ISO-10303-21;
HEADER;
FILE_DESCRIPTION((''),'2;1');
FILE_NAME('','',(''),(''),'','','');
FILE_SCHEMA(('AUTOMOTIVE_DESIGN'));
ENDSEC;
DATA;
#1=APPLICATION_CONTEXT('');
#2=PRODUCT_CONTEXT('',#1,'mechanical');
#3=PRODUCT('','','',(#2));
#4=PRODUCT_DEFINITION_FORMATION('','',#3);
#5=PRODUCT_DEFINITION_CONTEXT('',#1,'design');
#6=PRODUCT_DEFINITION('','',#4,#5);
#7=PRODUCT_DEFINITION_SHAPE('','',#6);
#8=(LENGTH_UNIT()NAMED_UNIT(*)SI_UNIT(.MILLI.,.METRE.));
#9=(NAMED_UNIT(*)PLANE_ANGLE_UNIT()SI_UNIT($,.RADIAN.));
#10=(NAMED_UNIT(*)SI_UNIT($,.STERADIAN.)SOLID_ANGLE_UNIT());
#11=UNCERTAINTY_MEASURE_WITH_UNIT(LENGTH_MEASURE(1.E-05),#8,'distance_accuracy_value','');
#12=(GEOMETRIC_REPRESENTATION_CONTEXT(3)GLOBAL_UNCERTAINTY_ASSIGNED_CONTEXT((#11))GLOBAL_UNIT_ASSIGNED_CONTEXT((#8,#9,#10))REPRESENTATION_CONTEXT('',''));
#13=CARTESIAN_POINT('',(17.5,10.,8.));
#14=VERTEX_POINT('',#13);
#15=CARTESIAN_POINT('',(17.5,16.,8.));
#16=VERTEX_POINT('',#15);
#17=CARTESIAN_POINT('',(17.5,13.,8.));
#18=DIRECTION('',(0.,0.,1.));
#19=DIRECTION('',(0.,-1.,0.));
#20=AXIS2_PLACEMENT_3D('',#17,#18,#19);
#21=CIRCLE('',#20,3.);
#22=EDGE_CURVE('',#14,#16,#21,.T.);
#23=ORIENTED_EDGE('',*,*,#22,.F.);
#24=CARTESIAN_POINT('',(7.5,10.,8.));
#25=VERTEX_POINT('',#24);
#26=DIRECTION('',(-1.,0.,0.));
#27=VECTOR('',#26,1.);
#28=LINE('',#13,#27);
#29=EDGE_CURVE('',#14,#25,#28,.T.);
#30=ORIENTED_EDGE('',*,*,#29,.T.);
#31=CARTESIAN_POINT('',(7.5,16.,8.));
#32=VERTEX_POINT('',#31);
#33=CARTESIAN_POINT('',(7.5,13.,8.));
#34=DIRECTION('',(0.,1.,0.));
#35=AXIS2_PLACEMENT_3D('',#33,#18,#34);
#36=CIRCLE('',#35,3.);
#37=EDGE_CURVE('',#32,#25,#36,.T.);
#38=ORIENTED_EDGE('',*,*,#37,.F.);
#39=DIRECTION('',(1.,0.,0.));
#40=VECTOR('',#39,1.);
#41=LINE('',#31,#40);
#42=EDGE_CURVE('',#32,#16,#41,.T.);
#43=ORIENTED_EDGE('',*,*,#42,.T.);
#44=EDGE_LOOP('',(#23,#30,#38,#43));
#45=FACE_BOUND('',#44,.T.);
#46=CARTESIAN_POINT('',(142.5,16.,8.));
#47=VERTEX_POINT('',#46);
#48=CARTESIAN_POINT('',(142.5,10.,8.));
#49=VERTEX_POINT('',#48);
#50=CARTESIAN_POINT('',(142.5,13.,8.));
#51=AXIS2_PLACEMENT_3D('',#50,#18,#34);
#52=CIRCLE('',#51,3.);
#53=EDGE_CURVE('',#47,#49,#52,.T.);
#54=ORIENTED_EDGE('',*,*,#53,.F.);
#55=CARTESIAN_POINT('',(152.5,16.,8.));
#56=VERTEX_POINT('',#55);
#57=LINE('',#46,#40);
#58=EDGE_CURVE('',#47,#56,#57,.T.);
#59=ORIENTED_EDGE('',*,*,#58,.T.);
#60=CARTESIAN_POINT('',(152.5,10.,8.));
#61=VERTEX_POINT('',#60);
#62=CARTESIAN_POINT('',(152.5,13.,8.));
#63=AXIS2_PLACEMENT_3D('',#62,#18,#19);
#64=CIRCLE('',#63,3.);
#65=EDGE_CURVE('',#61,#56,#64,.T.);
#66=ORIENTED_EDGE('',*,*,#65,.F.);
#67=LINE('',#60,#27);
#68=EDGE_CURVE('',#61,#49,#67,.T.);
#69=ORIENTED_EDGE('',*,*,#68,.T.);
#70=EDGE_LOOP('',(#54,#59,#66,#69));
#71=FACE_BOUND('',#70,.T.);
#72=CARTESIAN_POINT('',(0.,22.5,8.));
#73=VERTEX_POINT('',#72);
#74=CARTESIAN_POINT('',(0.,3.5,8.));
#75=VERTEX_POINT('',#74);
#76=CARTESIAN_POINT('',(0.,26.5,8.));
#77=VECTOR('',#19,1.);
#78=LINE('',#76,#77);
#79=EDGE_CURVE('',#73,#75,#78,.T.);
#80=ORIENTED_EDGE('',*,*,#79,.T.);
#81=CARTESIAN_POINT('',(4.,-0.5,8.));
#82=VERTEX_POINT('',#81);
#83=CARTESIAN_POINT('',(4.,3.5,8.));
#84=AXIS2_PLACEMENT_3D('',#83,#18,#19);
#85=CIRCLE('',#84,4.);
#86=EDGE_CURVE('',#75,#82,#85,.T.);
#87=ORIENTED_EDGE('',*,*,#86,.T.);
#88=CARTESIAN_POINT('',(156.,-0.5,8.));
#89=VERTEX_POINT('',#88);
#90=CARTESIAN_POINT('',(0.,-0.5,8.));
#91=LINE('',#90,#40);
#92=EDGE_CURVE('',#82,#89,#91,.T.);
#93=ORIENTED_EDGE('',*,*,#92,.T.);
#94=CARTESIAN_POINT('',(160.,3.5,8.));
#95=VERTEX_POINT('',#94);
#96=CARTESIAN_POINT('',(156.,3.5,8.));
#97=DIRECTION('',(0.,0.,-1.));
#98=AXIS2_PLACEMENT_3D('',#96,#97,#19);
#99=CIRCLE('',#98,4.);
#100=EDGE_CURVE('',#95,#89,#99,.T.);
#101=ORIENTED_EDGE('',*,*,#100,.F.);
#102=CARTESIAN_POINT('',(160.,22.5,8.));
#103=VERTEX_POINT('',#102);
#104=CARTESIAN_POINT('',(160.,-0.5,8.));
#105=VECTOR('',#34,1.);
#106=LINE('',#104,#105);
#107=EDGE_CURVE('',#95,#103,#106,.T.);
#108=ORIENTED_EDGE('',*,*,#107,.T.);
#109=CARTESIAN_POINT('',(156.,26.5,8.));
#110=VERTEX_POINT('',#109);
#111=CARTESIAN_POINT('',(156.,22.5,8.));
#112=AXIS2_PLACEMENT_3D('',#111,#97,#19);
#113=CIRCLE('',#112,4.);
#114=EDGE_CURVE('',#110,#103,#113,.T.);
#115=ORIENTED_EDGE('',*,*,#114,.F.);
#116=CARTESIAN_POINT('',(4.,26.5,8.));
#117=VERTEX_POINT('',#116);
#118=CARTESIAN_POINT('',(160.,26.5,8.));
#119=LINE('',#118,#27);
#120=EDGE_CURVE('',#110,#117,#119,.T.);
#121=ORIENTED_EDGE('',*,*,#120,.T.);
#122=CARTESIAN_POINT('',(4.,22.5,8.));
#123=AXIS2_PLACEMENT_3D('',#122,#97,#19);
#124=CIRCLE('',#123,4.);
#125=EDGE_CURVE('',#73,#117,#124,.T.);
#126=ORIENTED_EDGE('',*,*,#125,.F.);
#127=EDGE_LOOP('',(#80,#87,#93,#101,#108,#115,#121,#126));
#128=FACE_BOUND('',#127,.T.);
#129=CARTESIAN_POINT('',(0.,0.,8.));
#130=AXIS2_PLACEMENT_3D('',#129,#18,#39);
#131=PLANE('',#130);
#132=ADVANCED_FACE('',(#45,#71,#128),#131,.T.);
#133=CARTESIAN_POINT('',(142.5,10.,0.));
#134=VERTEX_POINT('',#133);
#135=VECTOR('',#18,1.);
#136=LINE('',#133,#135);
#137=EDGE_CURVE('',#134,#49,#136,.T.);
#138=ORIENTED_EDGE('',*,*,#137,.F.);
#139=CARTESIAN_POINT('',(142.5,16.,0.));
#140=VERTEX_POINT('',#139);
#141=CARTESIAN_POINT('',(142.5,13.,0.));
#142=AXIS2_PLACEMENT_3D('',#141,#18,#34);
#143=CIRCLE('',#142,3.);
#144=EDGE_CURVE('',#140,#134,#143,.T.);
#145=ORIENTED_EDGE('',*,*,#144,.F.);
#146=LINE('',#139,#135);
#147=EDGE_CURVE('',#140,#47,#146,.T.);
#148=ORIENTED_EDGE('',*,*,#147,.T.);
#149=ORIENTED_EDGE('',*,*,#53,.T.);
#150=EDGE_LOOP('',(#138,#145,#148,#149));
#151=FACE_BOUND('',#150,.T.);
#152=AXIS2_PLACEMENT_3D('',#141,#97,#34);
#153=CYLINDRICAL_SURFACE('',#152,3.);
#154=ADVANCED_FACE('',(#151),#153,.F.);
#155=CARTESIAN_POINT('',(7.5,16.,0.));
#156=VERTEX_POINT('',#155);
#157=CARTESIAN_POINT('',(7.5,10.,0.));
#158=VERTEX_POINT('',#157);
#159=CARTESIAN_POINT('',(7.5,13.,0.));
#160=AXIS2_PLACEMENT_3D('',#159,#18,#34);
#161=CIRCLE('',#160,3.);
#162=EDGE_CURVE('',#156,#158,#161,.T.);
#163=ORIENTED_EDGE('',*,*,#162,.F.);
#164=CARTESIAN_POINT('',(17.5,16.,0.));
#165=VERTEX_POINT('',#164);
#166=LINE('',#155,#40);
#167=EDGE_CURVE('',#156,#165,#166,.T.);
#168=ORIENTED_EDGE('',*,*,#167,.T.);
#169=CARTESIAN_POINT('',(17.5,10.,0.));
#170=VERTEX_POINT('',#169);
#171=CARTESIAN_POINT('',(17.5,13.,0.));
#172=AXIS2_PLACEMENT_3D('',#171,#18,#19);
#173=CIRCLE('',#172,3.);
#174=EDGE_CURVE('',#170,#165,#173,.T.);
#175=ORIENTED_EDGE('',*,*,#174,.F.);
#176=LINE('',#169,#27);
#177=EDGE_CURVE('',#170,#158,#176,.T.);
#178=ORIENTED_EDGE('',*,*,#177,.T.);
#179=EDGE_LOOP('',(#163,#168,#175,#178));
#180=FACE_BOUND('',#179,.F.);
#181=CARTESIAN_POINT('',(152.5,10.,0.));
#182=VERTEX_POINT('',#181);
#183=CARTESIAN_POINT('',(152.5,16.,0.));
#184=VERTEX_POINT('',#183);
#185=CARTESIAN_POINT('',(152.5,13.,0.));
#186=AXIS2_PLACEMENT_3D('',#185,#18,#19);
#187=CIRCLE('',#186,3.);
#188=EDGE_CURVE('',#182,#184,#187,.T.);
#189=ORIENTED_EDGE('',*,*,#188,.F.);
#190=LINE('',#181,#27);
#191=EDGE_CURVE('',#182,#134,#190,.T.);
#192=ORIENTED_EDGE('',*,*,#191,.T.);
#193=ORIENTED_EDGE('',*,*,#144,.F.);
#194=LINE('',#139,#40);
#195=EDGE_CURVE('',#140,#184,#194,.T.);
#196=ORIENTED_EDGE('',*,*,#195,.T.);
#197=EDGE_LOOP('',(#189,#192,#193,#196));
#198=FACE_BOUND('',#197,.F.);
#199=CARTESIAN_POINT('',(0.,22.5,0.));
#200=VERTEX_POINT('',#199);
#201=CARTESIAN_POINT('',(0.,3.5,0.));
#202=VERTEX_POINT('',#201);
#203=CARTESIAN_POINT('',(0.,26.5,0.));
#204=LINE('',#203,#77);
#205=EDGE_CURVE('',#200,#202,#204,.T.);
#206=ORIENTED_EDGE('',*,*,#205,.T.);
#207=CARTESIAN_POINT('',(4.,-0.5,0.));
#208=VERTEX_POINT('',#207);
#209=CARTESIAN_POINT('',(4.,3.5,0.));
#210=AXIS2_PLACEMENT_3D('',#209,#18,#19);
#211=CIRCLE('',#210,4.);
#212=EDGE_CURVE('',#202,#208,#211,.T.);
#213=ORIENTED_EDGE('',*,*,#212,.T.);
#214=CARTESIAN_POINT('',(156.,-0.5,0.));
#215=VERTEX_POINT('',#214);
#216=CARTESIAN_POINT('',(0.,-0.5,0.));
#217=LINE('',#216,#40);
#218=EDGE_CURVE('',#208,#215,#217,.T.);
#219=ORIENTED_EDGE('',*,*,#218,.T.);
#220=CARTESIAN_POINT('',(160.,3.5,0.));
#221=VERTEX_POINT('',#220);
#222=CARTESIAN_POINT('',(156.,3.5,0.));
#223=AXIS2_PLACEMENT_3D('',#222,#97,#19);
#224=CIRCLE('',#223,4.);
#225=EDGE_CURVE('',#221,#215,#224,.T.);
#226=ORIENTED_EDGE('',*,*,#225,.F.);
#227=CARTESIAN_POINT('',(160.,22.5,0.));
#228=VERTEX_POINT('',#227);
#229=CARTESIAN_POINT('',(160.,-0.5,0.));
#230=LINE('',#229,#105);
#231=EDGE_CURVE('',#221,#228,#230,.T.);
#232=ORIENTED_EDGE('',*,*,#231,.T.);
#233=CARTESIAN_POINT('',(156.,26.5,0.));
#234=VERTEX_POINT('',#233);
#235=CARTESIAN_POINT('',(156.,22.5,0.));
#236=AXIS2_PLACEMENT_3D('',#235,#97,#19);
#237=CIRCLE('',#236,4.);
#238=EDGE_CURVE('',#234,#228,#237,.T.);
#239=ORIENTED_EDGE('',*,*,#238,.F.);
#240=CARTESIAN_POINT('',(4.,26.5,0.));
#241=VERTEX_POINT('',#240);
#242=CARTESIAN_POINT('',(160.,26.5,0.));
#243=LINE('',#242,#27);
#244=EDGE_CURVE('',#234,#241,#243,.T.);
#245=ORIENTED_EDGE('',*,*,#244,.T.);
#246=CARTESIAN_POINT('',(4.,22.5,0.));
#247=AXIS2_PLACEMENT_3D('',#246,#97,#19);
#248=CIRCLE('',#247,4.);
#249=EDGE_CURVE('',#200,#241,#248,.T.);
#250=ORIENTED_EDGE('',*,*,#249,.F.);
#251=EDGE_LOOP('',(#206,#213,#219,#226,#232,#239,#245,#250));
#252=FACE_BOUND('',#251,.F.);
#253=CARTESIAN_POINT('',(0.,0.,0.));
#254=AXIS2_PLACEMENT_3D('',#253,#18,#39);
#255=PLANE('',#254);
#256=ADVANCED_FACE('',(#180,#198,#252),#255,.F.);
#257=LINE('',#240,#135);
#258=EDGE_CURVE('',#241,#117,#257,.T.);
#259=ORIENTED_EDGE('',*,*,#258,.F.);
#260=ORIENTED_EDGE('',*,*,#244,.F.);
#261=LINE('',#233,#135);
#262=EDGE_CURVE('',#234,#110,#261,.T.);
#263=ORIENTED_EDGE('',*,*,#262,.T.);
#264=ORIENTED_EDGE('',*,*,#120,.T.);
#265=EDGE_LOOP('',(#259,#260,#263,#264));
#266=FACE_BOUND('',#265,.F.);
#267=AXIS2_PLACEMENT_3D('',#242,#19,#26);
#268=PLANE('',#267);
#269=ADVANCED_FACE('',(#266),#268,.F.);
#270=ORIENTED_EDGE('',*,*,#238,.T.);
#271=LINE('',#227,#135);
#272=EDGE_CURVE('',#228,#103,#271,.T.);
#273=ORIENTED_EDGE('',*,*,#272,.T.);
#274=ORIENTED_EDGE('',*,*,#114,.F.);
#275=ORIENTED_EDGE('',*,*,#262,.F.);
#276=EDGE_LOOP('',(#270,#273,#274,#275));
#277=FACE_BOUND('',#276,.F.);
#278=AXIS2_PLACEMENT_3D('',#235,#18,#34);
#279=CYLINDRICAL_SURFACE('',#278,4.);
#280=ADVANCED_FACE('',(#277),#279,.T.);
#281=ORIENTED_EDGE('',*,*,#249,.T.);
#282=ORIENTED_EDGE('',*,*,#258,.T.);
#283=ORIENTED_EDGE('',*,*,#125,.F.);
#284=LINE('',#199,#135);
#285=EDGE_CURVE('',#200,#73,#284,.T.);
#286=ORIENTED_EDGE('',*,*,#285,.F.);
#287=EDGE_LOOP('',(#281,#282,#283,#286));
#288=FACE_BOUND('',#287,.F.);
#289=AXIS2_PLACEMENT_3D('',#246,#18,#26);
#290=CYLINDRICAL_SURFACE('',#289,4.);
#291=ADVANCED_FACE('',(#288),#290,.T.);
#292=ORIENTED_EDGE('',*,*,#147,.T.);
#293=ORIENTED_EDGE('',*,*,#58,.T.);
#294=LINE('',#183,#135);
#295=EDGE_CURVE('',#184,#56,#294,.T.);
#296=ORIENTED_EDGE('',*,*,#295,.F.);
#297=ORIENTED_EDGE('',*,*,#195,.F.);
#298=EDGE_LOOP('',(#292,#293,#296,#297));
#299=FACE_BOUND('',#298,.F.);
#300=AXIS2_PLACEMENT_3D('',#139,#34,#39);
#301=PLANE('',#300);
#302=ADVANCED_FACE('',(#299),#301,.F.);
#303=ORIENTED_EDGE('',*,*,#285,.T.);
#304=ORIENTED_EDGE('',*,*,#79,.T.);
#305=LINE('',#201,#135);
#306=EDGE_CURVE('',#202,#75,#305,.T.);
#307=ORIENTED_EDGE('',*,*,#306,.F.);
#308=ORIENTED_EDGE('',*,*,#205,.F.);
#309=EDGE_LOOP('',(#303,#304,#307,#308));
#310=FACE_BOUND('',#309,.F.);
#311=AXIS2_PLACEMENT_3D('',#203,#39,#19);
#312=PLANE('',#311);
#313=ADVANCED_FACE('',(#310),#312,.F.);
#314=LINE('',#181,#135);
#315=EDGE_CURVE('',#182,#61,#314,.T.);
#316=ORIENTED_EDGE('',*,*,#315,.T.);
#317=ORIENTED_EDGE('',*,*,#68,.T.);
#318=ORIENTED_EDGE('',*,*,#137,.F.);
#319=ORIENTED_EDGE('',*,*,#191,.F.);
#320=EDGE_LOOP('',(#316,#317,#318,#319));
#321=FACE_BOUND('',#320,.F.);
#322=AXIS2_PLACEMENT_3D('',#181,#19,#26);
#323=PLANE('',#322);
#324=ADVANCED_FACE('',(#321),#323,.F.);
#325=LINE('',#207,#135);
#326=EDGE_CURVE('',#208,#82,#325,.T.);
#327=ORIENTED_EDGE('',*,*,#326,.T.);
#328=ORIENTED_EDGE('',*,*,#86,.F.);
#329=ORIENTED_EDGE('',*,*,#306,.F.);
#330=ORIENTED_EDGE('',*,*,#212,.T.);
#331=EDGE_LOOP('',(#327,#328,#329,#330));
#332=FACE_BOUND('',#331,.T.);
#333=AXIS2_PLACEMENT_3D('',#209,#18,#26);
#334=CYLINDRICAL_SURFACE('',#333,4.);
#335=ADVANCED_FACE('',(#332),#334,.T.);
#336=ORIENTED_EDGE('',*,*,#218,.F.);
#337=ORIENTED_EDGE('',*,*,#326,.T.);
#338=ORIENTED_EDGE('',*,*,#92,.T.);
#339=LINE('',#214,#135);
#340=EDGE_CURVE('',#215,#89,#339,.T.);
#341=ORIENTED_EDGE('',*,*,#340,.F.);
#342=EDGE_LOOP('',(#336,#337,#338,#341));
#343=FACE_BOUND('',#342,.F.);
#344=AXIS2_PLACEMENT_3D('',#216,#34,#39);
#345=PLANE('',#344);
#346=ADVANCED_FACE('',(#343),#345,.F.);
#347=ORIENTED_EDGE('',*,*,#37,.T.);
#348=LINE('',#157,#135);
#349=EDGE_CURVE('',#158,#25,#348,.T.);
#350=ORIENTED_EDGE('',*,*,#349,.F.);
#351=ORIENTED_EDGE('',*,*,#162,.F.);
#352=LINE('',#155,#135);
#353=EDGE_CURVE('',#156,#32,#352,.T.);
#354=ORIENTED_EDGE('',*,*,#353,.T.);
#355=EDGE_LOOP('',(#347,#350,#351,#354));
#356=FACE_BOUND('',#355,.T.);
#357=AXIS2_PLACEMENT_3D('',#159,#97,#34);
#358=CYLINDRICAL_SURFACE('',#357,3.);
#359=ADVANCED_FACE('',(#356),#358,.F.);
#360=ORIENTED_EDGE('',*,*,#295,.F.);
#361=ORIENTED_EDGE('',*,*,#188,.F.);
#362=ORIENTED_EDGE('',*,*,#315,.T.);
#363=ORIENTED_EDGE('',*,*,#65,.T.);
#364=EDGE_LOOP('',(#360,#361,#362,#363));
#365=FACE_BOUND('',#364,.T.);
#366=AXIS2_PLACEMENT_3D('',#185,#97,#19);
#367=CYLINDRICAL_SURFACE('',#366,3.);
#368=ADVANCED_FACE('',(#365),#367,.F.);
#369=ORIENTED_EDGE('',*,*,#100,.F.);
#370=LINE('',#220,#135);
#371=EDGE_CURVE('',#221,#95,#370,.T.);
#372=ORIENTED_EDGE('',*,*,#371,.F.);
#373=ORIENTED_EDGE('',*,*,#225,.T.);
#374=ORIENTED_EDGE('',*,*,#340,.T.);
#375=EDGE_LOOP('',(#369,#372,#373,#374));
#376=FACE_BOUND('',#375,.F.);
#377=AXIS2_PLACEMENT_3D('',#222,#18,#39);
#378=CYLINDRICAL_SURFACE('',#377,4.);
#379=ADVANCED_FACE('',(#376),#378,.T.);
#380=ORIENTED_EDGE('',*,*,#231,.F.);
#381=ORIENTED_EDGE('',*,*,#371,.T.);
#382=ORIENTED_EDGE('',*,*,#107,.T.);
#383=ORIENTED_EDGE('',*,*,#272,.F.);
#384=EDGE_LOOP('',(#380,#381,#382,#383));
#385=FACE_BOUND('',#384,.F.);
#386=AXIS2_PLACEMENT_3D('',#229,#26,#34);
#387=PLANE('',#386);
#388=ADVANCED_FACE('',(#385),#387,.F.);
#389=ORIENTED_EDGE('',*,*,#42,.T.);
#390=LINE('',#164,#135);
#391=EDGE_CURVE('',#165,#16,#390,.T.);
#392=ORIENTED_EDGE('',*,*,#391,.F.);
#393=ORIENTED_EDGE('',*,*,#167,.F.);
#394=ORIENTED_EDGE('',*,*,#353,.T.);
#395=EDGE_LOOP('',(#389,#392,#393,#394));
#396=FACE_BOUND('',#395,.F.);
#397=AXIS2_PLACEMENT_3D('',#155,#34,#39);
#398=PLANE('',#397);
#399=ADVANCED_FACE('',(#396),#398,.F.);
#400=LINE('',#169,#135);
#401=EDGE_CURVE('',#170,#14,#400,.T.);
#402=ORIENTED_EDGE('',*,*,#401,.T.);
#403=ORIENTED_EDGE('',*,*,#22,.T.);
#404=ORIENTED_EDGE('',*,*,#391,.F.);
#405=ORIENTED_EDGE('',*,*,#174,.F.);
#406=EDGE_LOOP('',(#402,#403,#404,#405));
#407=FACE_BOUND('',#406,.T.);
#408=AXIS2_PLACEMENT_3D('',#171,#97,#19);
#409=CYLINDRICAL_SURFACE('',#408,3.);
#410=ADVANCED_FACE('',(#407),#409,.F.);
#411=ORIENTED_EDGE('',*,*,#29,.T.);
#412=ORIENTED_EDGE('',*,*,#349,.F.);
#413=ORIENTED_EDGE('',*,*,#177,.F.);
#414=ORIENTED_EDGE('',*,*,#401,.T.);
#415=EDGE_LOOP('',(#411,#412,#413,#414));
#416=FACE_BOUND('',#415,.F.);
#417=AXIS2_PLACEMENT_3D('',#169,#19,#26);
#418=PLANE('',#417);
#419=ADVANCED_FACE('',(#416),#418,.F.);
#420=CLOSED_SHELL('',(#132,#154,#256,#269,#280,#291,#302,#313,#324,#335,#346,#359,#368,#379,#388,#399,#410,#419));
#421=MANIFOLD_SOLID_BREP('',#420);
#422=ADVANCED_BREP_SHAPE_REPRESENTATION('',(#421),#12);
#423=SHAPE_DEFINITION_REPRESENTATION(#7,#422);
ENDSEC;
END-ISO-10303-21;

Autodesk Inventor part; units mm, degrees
ref_plane "YZ Plane" through (0, 0, 0) normal (1, 0, 0) x (0, 1, 0)
ref_plane "XZ Plane" through (0, 0, 0) normal (0, 1, 0) x (-1, 0, 0)
ref_plane "XY Plane" through (0, 0, 0) normal (0, 0, 1) x (1, 0, 0)
sketch "Sketch1" plane through (0, 0, 0) normal (0, 0, 1) x (1, 0, 0)
  line L0 (0, -0.5) -> (160, -0.5)
  line L1 (160, -0.5) -> (160, 26.5)
  line L2 (160, 26.5) -> (0, 26.5)
  line L3 (0, 26.5) -> (0, -0.5)
  line L4 (152.5, 10) -> (142.5, 10)
  arc A0 (142.5, 16) -> (142.5, 10) centre (142.5, 13) ccw
  line L5 (142.5, 16) -> (152.5, 16)
  arc A1 (152.5, 10) -> (152.5, 16) centre (152.5, 13) ccw
  line L6 (7.5, 16) -> (17.5, 16)
  arc A2 (17.5, 10) -> (17.5, 16) centre (17.5, 13) ccw
  line L7 (17.5, 10) -> (7.5, 10)
  arc A3 (7.5, 16) -> (7.5, 10) centre (7.5, 13) ccw
  point P0 (0, 0)
  dimension "d0" = 160
  dimension "d1" = 27
  dimension "d2" = 10
  dimension "d3" = 10
  dimension "d7" = 6
  dimension "d8" = 10.5
  dimension "d9" = 6
  dimension "d10" = 10.5
extrude "Extrusion1" add sketch "Sketch1" along normal blind 8
fillet "Fillet1" radius 4 4 edges at (0, 26.5, 4) (0, -0.5, 4) (160, -0.5, 4) (160, 26.5, 4)
properties part number "Support moteur 6mm V1.2"
